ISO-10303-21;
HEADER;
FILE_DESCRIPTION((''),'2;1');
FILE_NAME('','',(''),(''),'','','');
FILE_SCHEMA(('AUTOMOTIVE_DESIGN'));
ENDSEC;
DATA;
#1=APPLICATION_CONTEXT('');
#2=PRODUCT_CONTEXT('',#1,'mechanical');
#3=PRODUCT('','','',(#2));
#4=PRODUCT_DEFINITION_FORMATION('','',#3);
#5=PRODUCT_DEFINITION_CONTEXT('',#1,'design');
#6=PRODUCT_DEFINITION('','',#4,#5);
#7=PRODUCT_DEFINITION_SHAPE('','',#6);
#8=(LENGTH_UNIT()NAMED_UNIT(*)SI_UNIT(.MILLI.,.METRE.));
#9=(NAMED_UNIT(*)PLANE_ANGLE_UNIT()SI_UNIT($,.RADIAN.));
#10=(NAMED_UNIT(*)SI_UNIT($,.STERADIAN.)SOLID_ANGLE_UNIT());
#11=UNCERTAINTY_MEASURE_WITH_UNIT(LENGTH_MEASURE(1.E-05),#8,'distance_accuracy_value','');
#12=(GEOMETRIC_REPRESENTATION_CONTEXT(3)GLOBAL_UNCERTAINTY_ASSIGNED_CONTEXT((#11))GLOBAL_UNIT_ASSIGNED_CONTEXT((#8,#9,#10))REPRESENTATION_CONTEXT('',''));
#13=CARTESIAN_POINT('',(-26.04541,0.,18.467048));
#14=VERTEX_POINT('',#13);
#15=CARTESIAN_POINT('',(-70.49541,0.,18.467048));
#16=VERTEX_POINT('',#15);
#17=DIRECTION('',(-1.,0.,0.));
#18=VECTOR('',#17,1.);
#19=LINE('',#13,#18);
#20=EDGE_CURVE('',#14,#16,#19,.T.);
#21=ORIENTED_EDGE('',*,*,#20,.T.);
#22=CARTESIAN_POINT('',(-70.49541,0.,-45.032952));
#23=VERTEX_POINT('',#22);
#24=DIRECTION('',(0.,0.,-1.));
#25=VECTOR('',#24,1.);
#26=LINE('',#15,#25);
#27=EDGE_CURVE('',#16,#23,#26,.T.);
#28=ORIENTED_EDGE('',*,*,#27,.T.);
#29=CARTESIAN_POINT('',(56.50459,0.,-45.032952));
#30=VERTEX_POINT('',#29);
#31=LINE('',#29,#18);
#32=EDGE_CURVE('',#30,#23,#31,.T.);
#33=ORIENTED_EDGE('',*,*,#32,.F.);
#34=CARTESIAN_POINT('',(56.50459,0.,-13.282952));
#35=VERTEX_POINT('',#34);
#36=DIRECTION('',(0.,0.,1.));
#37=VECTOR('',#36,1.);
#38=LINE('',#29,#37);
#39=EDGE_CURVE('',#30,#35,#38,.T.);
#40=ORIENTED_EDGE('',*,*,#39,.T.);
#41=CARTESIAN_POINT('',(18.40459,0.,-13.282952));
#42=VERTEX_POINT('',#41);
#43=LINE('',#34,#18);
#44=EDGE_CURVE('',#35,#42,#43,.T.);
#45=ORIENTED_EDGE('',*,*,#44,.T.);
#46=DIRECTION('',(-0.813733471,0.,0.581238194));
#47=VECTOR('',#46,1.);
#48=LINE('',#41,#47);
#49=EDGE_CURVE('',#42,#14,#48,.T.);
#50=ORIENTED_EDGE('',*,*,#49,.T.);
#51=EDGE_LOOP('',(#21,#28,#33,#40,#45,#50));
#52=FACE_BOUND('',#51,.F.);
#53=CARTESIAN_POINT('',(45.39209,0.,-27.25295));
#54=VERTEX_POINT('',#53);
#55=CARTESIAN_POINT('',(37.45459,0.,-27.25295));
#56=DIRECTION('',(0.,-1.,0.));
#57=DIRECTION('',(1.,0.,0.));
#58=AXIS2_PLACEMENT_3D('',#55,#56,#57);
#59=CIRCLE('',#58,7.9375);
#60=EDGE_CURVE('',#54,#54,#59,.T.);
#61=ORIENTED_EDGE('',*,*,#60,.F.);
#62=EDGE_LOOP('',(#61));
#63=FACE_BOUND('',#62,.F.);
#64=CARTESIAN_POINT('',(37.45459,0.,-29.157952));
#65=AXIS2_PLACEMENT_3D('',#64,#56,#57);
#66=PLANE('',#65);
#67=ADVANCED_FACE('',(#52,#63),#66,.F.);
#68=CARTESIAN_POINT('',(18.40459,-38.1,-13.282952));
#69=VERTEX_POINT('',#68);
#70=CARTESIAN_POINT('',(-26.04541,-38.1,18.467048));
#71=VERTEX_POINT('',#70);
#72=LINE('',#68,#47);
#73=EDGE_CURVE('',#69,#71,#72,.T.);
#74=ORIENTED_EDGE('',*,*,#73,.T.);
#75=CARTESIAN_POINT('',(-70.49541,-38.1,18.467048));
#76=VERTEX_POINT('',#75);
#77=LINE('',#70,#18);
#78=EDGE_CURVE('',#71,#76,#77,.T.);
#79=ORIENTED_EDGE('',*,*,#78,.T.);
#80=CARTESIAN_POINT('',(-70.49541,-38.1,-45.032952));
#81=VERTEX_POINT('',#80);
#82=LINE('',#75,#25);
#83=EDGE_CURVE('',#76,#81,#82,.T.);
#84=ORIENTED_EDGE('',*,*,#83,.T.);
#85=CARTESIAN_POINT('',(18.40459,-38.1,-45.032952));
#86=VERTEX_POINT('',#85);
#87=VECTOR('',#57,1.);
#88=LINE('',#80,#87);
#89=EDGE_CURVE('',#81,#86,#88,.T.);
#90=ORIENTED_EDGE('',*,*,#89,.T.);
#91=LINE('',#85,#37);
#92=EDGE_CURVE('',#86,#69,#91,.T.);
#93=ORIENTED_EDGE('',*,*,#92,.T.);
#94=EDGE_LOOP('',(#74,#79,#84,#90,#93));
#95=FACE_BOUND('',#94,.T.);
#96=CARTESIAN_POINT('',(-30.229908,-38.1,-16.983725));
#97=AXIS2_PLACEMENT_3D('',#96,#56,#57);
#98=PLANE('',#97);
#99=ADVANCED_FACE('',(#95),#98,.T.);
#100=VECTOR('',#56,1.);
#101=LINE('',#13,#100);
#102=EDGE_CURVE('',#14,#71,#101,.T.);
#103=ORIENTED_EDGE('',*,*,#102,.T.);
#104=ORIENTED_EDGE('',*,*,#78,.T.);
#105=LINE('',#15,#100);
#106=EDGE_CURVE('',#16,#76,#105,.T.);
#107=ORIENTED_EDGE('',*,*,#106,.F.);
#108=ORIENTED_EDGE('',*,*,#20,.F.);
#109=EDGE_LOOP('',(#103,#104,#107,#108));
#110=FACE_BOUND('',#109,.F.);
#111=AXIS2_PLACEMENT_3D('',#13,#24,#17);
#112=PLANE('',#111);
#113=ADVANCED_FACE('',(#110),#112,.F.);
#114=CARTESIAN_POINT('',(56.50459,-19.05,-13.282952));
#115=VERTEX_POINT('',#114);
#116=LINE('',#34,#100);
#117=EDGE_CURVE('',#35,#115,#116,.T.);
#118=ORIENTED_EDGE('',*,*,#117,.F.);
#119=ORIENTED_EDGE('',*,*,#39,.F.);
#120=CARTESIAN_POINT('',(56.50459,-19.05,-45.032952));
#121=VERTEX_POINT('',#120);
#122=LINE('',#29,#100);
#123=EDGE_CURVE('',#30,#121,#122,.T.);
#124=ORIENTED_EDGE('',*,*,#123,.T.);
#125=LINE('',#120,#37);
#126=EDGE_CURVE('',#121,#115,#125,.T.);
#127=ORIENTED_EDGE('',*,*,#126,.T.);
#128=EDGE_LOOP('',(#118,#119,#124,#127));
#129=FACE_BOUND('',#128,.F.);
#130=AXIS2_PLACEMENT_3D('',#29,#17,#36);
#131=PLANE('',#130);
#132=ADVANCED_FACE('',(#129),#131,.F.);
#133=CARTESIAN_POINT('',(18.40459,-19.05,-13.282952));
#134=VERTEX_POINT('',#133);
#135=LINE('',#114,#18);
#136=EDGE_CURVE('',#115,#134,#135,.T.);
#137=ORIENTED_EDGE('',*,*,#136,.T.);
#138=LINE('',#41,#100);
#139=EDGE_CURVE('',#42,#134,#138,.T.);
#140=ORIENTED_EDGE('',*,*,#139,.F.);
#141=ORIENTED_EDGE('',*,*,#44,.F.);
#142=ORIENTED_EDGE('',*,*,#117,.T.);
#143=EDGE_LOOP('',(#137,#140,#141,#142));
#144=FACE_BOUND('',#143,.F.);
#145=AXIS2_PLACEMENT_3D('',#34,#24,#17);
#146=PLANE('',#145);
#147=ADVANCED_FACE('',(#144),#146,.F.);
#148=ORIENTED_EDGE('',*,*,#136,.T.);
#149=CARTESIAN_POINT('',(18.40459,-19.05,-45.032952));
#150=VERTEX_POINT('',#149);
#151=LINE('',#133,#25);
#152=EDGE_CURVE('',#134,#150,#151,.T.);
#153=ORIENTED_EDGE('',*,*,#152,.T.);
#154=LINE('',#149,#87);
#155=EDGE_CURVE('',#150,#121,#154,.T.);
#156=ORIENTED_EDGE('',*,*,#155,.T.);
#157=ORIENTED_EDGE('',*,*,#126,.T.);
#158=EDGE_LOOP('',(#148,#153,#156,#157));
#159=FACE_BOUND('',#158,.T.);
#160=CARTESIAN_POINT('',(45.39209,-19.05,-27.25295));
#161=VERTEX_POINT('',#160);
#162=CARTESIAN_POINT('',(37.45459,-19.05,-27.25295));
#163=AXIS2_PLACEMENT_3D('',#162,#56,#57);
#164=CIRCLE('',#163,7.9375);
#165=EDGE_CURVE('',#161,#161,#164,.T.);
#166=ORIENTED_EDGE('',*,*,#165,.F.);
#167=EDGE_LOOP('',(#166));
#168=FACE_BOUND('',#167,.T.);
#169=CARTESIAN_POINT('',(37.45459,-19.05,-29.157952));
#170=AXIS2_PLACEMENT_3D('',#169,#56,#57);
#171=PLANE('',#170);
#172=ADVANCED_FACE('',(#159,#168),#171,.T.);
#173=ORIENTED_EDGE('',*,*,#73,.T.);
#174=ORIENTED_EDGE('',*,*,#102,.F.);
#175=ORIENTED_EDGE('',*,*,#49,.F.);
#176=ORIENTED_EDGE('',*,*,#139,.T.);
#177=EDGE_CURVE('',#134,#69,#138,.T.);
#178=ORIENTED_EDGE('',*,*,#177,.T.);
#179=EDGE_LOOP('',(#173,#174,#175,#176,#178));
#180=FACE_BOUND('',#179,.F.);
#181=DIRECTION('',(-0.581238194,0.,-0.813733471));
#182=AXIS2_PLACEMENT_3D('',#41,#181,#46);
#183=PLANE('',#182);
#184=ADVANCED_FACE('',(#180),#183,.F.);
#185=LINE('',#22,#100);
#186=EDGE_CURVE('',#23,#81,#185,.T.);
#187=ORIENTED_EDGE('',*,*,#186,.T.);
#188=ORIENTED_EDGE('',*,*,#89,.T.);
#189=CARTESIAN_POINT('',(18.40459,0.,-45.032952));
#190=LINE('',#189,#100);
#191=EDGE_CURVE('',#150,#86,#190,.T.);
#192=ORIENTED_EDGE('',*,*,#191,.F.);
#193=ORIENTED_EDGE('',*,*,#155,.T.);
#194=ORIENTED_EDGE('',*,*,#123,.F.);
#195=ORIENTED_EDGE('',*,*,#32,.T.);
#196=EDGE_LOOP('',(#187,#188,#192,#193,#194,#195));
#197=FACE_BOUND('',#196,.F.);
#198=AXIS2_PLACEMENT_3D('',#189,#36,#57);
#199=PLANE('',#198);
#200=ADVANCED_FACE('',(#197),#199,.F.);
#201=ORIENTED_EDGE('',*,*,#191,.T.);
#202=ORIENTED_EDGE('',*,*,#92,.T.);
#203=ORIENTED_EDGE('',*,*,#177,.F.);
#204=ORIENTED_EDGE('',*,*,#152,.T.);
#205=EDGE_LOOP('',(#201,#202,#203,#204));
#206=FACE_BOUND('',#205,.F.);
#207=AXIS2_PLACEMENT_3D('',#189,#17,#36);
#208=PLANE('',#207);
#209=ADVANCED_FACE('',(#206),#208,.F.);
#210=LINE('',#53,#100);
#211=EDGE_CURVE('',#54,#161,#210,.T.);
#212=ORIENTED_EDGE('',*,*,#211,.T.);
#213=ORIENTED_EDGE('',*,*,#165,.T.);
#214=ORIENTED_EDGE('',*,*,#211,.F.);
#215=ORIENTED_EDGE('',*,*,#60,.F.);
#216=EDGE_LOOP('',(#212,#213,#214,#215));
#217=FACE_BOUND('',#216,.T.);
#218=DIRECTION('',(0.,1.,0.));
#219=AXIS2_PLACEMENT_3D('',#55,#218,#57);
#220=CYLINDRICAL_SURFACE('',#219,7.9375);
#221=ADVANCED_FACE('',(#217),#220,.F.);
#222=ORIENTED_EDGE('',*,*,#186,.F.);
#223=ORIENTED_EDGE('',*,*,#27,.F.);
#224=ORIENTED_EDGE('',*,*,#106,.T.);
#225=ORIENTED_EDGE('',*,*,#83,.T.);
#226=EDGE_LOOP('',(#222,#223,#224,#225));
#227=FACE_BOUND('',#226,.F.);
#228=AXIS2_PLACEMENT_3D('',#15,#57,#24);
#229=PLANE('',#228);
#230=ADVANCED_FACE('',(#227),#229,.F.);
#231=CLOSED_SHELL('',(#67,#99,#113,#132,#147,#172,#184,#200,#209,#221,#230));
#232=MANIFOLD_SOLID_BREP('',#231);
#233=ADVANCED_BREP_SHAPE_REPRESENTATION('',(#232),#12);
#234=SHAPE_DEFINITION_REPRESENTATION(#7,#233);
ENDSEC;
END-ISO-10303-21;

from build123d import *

# Parameters (mm, degrees)
F1_DEPTH = 38.1
F0_R     = 7.9375
F2_DEPTH = 19.05


with BuildPart() as f1:
    # F0 (on Front) → F1 (new body)
    with BuildSketch(Plane.XZ):
        Polygon((-70.49541, 18.467048), (-70.49541, -45.032952), (18.40459, -45.032952), (18.40459, -13.282952), (-26.04541, 18.467048), align=None)
    extrude(amount=F1_DEPTH)

    # F0 (on Front) → F2 (join)
    with BuildSketch(Plane.XZ):
        Polygon((18.40459, -13.282952), (18.40459, -45.032952), (56.50459, -45.032952), (56.50459, -13.282952), (37.45459, -13.282952), align=None)
        with Locations((37.45459, -27.25295)):
            Circle(F0_R, mode=Mode.SUBTRACT)
    extrude(amount=F2_DEPTH)


solid = f1.part
